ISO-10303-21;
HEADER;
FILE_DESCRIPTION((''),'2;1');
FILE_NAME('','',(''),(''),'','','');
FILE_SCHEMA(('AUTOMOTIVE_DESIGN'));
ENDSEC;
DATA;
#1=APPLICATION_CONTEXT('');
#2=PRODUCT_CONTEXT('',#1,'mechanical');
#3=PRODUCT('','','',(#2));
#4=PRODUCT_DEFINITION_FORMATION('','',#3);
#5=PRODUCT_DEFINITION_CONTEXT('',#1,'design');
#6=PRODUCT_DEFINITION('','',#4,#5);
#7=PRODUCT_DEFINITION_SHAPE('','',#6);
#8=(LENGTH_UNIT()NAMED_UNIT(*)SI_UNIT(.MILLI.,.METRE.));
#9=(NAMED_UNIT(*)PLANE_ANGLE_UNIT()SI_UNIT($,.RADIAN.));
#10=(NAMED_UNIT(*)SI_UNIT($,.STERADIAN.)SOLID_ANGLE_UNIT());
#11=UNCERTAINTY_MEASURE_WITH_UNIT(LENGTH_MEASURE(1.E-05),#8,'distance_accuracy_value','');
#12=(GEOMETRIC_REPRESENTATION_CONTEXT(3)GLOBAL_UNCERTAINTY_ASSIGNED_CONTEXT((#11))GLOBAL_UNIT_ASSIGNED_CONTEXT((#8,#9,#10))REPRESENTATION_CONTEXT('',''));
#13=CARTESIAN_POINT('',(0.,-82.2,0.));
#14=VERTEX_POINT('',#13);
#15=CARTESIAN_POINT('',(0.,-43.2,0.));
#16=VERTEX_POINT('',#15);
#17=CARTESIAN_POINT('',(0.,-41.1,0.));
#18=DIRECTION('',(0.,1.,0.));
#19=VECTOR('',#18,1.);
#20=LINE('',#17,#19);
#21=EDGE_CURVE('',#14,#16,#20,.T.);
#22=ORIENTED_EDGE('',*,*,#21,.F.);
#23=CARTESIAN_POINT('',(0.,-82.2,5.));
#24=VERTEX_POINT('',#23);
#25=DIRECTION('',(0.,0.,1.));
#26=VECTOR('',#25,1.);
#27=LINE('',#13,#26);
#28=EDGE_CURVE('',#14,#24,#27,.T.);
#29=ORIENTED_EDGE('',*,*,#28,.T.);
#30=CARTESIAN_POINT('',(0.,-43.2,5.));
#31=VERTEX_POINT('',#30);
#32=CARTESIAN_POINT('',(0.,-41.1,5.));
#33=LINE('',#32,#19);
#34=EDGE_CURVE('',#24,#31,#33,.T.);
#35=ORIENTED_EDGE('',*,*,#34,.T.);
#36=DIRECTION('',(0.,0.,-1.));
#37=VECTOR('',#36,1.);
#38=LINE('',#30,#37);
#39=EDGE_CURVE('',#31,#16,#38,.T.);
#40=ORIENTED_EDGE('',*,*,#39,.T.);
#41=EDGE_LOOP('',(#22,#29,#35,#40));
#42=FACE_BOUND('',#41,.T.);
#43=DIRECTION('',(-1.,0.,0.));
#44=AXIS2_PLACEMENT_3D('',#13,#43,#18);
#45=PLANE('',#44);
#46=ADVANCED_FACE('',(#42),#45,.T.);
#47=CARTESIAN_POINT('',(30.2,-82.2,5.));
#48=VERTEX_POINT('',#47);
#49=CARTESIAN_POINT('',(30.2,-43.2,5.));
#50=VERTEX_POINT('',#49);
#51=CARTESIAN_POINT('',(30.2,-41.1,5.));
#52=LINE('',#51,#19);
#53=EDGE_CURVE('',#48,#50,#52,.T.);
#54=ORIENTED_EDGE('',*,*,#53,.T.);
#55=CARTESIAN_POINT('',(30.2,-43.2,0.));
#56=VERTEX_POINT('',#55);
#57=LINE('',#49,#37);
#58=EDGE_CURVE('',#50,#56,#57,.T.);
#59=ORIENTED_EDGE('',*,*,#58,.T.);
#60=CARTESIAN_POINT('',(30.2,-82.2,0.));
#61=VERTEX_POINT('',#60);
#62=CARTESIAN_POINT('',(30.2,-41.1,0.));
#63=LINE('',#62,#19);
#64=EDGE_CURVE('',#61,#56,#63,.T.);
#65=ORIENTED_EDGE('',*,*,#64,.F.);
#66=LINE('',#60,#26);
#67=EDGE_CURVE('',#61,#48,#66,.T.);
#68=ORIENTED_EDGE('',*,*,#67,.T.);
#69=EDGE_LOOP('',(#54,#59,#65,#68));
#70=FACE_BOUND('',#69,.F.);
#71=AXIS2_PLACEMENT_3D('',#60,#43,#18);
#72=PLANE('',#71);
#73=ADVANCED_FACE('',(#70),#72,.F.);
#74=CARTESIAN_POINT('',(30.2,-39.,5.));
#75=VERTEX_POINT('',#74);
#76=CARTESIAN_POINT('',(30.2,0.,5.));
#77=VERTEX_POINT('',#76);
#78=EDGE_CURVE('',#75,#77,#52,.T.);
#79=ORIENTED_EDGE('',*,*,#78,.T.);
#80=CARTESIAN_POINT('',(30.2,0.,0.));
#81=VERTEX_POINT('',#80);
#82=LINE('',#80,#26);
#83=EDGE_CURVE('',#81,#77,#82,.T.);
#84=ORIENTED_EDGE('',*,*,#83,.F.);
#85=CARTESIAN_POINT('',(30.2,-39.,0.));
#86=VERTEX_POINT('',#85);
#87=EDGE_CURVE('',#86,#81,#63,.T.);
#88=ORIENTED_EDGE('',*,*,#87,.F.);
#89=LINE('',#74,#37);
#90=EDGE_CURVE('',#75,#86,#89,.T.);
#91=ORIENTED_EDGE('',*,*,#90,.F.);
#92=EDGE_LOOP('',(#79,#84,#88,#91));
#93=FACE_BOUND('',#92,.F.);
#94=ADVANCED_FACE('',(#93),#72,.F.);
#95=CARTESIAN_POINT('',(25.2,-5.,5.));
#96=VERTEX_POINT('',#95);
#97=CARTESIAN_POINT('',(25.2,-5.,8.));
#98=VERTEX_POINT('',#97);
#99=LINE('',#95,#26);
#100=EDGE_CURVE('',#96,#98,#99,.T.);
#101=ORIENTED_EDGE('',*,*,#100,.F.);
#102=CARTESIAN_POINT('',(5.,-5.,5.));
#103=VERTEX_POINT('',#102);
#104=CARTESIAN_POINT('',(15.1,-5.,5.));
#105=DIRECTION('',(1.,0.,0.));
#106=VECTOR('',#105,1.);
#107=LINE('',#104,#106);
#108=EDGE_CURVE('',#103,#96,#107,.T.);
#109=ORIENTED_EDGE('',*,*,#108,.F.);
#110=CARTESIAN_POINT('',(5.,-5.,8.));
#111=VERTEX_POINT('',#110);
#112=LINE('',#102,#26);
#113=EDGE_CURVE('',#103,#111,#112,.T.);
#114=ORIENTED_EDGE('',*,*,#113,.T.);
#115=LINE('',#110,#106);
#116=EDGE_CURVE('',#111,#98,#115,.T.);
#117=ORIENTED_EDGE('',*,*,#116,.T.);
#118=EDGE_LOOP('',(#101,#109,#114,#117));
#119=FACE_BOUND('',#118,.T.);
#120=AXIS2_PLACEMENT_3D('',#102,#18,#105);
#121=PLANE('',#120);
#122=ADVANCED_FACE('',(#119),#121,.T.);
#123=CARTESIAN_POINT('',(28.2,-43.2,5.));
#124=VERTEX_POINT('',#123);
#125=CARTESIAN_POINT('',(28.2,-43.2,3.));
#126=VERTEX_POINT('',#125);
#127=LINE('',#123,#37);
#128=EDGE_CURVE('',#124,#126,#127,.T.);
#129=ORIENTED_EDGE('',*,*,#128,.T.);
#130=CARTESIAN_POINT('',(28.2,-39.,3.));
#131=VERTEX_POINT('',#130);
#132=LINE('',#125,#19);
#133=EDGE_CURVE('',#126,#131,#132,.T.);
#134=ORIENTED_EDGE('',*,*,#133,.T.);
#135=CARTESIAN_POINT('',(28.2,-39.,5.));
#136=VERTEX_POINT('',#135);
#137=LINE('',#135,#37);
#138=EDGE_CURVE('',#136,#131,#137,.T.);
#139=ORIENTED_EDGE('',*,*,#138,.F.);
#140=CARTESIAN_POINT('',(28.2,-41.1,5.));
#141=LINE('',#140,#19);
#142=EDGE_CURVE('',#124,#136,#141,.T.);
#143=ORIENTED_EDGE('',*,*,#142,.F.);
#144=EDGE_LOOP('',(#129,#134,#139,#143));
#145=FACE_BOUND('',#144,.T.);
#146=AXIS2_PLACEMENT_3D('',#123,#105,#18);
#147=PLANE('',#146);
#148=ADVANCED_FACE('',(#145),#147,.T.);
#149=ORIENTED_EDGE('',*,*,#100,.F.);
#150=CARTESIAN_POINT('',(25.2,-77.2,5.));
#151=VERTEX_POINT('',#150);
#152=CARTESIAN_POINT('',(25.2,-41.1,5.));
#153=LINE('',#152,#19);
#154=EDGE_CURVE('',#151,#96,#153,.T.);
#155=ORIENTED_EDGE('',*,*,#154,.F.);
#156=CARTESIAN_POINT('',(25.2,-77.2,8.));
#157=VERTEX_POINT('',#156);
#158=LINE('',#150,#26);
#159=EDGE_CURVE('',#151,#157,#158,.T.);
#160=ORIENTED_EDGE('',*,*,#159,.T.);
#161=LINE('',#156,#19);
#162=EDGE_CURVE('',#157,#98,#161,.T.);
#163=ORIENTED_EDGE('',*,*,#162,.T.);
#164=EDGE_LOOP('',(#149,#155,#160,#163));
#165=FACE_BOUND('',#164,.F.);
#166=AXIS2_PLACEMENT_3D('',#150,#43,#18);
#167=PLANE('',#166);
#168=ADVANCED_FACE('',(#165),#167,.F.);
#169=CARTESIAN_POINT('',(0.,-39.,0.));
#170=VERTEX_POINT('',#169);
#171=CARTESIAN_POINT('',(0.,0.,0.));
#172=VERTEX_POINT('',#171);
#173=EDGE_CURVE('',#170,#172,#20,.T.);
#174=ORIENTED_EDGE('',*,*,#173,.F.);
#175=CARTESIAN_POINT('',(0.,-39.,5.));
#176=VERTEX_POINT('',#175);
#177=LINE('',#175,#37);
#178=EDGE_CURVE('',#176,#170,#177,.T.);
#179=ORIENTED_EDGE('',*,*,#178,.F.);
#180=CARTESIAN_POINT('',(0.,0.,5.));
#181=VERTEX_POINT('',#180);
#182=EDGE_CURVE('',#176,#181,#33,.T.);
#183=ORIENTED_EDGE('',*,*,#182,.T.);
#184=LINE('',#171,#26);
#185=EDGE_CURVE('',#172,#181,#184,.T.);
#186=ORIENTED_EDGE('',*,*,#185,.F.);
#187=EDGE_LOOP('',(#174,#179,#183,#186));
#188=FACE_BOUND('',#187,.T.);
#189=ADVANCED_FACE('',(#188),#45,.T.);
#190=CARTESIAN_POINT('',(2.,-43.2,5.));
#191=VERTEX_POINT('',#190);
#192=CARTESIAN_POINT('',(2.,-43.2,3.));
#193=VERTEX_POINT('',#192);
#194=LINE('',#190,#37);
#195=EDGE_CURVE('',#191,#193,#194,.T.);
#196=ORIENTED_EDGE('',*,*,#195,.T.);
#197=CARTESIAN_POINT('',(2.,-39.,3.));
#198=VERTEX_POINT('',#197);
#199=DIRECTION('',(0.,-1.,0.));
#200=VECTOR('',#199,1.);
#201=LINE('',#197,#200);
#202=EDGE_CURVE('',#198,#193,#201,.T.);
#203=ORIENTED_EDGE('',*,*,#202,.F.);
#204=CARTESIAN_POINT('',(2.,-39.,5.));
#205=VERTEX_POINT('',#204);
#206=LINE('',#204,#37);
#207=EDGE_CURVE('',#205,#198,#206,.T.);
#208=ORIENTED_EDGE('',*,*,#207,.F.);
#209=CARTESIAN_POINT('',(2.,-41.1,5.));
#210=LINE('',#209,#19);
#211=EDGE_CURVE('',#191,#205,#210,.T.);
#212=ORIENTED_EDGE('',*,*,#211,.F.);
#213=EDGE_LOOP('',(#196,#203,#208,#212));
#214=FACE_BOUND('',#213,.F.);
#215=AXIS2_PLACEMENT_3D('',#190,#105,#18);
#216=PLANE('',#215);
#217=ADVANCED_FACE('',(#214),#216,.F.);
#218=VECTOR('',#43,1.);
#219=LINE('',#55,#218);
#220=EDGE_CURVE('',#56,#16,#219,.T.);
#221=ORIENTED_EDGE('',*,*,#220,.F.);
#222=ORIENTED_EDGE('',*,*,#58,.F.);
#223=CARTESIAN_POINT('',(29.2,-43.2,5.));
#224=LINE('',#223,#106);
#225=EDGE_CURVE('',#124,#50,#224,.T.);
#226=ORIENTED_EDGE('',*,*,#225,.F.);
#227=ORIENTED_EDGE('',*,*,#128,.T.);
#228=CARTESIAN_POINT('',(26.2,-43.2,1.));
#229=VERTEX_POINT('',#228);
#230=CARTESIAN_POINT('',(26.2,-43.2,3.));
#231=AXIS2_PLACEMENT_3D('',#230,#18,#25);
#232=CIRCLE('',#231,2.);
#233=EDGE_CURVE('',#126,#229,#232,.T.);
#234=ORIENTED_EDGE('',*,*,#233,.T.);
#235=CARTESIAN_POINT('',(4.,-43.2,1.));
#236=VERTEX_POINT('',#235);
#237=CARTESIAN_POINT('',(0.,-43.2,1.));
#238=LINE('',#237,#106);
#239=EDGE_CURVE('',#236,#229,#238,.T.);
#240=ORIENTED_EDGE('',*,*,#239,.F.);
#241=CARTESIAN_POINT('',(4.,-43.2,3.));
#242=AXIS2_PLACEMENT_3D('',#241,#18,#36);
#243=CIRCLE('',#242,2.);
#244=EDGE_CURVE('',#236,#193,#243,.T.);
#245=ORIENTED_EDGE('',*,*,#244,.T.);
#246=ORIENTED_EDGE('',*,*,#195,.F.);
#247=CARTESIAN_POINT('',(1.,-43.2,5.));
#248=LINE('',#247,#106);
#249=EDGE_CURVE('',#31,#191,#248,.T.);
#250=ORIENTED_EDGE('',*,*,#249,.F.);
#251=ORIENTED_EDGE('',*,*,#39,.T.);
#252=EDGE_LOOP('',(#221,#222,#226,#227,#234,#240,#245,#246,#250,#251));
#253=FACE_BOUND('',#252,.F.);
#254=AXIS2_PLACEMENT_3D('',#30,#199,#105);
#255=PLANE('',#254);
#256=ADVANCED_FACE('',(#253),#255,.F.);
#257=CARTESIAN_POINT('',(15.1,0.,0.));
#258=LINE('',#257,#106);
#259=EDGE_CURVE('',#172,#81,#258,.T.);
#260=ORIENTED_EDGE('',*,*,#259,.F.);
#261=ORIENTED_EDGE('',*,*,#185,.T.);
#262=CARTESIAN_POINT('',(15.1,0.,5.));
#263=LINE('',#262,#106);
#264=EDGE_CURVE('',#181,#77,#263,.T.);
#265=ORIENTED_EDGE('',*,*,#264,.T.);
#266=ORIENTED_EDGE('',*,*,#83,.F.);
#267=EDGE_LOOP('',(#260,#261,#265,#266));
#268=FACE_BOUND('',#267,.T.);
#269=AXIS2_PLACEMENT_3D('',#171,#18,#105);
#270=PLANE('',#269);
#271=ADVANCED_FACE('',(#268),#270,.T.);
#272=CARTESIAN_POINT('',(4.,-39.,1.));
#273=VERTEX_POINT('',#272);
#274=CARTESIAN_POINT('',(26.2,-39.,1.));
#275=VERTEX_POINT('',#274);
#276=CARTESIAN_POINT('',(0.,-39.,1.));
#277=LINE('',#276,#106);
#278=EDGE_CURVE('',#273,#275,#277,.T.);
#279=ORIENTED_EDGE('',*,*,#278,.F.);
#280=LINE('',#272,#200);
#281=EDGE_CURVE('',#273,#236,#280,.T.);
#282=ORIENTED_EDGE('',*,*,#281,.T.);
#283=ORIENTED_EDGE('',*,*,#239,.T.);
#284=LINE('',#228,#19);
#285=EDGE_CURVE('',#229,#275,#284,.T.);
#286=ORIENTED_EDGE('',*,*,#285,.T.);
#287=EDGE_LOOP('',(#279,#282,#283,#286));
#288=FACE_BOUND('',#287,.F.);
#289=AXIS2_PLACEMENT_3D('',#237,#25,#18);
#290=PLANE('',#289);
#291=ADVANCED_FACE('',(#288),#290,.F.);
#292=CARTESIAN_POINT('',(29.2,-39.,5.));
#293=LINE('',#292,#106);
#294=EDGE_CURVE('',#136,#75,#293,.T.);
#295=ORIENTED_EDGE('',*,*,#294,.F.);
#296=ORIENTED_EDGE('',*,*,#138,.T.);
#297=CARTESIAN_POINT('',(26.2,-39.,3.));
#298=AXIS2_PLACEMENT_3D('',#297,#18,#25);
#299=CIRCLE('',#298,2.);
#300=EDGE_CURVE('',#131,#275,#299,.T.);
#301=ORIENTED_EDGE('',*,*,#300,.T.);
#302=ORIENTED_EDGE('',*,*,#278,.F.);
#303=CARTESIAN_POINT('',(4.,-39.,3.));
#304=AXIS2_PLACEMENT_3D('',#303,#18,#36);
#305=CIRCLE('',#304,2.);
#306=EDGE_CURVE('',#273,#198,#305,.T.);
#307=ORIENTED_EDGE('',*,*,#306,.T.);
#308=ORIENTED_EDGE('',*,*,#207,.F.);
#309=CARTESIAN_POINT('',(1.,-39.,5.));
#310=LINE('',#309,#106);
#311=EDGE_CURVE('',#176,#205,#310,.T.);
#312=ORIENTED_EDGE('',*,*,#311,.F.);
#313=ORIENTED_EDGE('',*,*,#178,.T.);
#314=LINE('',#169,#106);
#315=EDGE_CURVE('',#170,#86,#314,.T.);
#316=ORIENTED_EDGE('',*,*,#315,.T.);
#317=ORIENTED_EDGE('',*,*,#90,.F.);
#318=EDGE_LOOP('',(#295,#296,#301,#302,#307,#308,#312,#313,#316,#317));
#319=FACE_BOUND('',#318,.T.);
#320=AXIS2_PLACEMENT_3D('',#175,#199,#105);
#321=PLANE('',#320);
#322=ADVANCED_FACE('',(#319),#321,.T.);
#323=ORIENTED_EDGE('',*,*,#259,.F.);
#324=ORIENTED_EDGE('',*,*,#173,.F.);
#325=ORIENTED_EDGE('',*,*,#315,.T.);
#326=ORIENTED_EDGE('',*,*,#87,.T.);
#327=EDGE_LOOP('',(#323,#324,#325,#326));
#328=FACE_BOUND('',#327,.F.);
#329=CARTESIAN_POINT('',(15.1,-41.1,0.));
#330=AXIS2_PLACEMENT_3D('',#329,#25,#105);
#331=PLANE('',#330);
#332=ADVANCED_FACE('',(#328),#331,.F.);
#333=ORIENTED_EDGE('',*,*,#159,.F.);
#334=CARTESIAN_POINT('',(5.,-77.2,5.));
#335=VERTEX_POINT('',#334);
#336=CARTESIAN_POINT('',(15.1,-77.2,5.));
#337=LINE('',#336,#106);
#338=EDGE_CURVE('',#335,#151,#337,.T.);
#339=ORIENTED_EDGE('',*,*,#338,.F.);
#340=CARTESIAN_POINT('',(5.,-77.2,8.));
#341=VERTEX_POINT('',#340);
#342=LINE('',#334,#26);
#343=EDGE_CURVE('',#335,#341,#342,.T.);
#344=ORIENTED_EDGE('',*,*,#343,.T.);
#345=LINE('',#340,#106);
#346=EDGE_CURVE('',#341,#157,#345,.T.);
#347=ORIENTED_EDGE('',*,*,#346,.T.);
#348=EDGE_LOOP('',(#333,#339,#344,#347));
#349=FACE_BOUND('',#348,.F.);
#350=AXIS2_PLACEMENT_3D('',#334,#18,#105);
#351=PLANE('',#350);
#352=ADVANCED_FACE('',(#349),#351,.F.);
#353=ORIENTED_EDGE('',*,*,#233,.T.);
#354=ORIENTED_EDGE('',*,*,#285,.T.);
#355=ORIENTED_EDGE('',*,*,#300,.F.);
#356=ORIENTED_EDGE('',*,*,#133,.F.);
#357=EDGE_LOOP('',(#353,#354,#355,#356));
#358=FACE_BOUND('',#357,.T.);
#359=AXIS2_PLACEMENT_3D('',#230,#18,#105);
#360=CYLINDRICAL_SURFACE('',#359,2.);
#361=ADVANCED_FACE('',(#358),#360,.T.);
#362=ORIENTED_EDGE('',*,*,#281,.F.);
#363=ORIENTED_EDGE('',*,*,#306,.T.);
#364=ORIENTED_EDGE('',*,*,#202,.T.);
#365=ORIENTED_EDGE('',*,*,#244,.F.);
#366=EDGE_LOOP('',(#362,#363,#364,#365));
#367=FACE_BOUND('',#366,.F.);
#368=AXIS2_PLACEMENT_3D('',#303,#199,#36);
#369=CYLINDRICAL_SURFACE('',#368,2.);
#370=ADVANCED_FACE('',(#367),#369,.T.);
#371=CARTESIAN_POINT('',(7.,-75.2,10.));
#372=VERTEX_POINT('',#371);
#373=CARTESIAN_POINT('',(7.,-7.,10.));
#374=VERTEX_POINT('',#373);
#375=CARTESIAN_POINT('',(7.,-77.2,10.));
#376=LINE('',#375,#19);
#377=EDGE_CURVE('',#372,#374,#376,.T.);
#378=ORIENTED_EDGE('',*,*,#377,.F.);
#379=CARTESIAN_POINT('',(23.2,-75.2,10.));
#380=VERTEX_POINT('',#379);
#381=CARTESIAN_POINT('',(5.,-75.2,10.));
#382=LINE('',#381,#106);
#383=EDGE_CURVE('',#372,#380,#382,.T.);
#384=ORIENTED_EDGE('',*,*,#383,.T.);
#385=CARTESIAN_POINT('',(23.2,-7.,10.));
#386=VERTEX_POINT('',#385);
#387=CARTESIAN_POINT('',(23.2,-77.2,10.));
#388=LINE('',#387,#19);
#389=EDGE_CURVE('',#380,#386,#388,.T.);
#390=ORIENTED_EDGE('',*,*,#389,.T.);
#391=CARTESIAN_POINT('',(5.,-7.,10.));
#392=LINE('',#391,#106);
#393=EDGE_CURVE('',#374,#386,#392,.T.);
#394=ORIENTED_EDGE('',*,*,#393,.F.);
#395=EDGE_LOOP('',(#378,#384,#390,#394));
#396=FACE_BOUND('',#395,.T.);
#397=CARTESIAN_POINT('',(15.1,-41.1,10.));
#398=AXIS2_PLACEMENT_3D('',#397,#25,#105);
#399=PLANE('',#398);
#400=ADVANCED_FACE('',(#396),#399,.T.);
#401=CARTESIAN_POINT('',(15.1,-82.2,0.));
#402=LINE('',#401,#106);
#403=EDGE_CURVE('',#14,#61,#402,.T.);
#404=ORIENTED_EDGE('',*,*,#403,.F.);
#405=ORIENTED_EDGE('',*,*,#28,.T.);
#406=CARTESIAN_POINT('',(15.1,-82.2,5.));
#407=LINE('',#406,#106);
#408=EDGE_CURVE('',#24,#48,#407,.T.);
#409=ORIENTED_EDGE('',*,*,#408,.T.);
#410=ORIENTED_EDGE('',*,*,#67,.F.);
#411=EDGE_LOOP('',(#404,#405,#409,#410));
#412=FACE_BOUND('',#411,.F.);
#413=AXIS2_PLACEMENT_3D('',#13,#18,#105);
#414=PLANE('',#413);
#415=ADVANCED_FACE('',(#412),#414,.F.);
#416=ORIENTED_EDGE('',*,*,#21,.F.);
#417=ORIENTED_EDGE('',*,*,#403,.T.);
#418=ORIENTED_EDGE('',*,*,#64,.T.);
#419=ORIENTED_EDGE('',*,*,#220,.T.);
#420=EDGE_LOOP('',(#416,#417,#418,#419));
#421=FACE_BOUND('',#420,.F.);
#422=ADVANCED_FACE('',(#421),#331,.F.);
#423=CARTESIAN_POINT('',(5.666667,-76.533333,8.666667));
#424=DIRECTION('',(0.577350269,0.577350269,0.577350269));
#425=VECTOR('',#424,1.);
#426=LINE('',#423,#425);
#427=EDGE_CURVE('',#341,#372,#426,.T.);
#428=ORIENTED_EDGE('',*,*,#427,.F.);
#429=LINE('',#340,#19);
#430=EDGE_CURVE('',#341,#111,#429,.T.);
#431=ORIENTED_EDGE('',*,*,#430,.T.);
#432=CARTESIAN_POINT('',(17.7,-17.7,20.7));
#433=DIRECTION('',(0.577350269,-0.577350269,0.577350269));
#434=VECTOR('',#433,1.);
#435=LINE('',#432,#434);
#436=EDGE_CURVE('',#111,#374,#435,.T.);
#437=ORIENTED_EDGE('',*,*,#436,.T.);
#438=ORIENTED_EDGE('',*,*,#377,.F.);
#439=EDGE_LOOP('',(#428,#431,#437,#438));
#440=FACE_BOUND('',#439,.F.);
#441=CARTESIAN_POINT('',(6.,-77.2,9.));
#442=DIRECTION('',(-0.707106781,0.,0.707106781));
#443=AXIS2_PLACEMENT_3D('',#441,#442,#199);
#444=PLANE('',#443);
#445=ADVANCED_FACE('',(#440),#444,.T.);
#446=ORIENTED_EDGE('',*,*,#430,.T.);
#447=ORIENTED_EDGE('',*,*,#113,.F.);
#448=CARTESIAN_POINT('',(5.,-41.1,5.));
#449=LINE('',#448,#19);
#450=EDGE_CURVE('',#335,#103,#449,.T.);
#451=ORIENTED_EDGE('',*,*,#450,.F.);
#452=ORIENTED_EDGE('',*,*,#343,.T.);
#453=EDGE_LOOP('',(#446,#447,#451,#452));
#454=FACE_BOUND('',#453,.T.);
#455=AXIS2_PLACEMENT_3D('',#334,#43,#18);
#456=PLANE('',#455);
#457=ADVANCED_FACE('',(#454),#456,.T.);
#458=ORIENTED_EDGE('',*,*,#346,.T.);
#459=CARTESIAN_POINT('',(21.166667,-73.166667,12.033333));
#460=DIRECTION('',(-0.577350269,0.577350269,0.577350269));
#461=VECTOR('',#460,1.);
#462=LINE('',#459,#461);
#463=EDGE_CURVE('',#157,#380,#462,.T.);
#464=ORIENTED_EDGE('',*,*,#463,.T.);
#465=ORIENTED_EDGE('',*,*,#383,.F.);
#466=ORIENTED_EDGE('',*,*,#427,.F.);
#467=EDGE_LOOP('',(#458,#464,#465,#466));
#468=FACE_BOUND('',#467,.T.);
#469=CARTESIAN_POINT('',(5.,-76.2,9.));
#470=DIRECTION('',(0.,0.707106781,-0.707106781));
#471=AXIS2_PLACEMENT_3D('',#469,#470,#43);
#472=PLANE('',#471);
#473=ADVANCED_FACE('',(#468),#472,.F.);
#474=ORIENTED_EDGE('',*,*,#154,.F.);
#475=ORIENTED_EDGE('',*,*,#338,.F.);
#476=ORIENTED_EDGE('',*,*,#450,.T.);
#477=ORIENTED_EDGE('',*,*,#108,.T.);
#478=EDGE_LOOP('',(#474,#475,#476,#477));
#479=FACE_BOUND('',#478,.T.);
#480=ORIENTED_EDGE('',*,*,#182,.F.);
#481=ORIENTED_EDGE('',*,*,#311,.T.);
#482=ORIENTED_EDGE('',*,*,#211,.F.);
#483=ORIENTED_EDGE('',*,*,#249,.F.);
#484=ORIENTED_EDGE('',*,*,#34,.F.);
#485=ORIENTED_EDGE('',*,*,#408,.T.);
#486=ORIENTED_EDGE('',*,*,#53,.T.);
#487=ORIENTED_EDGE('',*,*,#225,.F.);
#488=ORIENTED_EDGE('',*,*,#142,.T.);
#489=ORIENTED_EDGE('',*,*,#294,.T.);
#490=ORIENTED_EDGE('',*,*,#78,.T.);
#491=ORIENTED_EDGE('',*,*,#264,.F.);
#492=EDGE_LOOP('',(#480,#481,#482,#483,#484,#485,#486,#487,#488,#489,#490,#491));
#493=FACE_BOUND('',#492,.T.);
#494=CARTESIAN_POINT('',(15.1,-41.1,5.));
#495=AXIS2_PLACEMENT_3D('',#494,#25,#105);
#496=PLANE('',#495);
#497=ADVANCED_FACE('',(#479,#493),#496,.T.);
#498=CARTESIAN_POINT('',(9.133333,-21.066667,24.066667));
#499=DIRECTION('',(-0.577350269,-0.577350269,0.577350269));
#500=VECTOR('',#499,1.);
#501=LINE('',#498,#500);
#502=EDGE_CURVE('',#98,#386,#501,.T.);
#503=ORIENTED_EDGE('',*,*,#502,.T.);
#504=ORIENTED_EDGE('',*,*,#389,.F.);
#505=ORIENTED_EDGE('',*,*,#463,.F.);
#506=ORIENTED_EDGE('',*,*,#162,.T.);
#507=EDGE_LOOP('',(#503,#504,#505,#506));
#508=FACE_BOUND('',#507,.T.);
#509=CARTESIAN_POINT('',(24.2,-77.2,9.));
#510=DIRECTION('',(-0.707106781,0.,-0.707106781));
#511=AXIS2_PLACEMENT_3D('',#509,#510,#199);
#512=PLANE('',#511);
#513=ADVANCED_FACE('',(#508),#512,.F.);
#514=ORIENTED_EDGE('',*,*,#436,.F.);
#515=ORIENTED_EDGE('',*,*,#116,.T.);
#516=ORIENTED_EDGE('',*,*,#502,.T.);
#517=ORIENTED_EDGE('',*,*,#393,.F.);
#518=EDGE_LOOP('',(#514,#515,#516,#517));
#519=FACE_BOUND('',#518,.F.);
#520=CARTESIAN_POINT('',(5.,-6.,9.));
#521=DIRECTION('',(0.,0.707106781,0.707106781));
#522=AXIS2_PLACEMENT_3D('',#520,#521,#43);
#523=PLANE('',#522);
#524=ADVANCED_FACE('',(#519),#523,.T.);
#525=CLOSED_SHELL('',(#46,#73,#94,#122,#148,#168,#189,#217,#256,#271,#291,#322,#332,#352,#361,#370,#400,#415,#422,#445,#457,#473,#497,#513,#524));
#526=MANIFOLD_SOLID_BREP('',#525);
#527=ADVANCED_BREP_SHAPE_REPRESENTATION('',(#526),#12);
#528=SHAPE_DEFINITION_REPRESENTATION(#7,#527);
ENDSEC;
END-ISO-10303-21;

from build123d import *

# Parameters (mm, degrees)
F0_W     = 30.2
F0_H     = 82.2
F1_DEPTH = 5
F2_W     = 20.2
F2_H     = 72.2
F3_DEPTH = 5
F4_SIZE  = 2
F5_W     = 2
F5_H     = 4.2
F6_DEPTH = 5
F7_W     = 4.2
F7_H     = 1
F8_DEPTH = 28.2
F9_R     = 2


with BuildPart() as f1:
    # F0 (on Top) → F1 (new body)
    with BuildSketch(Plane.XY):
        with Locations((15.1, -41.1)):
            Rectangle(F0_W, F0_H)
    extrude(amount=F1_DEPTH)

    # F2 (on face) → F3 (join)
    with BuildSketch(Plane.XY.offset(5)):
        with Locations((15.1, -41.1)):
            Rectangle(F2_W, F2_H)
    extrude(amount=F3_DEPTH)

    # F4
    f4_edges = [f1.edges().sort_by_distance(p)[0] for p in [
        (15.1, -5, 10),
        (5, -41.1, 10),
        (15.1, -77.2, 10),
        (25.2, -41.1, 10),
    ]]
    chamfer(f4_edges, length=F4_SIZE)

    # F5 (on face) → F6 (cut, through all)
    with BuildSketch(Plane.XY.offset(5)):
        with Locations((1, -41.1)):
            Rectangle(F5_W, F5_H)
        with Locations((29.2, -41.1)):
            Rectangle(F5_W, F5_H)
    extrude(amount=-F6_DEPTH, mode=Mode.SUBTRACT)

    # F7 (on Right) → F8 (cut, through all)
    with BuildSketch(Plane.YZ):
        with Locations((-41.1, 0.5)):
            Rectangle(F7_W, F7_H)
    extrude(amount=F8_DEPTH, mode=Mode.SUBTRACT)

    # F9
    f9_edges = [f1.edges().sort_by_distance(p)[0] for p in [
        (2, -41.1, 1),
        (28.2, -41.1, 1),
    ]]
    fillet(f9_edges, radius=F9_R)


solid = f1.part
